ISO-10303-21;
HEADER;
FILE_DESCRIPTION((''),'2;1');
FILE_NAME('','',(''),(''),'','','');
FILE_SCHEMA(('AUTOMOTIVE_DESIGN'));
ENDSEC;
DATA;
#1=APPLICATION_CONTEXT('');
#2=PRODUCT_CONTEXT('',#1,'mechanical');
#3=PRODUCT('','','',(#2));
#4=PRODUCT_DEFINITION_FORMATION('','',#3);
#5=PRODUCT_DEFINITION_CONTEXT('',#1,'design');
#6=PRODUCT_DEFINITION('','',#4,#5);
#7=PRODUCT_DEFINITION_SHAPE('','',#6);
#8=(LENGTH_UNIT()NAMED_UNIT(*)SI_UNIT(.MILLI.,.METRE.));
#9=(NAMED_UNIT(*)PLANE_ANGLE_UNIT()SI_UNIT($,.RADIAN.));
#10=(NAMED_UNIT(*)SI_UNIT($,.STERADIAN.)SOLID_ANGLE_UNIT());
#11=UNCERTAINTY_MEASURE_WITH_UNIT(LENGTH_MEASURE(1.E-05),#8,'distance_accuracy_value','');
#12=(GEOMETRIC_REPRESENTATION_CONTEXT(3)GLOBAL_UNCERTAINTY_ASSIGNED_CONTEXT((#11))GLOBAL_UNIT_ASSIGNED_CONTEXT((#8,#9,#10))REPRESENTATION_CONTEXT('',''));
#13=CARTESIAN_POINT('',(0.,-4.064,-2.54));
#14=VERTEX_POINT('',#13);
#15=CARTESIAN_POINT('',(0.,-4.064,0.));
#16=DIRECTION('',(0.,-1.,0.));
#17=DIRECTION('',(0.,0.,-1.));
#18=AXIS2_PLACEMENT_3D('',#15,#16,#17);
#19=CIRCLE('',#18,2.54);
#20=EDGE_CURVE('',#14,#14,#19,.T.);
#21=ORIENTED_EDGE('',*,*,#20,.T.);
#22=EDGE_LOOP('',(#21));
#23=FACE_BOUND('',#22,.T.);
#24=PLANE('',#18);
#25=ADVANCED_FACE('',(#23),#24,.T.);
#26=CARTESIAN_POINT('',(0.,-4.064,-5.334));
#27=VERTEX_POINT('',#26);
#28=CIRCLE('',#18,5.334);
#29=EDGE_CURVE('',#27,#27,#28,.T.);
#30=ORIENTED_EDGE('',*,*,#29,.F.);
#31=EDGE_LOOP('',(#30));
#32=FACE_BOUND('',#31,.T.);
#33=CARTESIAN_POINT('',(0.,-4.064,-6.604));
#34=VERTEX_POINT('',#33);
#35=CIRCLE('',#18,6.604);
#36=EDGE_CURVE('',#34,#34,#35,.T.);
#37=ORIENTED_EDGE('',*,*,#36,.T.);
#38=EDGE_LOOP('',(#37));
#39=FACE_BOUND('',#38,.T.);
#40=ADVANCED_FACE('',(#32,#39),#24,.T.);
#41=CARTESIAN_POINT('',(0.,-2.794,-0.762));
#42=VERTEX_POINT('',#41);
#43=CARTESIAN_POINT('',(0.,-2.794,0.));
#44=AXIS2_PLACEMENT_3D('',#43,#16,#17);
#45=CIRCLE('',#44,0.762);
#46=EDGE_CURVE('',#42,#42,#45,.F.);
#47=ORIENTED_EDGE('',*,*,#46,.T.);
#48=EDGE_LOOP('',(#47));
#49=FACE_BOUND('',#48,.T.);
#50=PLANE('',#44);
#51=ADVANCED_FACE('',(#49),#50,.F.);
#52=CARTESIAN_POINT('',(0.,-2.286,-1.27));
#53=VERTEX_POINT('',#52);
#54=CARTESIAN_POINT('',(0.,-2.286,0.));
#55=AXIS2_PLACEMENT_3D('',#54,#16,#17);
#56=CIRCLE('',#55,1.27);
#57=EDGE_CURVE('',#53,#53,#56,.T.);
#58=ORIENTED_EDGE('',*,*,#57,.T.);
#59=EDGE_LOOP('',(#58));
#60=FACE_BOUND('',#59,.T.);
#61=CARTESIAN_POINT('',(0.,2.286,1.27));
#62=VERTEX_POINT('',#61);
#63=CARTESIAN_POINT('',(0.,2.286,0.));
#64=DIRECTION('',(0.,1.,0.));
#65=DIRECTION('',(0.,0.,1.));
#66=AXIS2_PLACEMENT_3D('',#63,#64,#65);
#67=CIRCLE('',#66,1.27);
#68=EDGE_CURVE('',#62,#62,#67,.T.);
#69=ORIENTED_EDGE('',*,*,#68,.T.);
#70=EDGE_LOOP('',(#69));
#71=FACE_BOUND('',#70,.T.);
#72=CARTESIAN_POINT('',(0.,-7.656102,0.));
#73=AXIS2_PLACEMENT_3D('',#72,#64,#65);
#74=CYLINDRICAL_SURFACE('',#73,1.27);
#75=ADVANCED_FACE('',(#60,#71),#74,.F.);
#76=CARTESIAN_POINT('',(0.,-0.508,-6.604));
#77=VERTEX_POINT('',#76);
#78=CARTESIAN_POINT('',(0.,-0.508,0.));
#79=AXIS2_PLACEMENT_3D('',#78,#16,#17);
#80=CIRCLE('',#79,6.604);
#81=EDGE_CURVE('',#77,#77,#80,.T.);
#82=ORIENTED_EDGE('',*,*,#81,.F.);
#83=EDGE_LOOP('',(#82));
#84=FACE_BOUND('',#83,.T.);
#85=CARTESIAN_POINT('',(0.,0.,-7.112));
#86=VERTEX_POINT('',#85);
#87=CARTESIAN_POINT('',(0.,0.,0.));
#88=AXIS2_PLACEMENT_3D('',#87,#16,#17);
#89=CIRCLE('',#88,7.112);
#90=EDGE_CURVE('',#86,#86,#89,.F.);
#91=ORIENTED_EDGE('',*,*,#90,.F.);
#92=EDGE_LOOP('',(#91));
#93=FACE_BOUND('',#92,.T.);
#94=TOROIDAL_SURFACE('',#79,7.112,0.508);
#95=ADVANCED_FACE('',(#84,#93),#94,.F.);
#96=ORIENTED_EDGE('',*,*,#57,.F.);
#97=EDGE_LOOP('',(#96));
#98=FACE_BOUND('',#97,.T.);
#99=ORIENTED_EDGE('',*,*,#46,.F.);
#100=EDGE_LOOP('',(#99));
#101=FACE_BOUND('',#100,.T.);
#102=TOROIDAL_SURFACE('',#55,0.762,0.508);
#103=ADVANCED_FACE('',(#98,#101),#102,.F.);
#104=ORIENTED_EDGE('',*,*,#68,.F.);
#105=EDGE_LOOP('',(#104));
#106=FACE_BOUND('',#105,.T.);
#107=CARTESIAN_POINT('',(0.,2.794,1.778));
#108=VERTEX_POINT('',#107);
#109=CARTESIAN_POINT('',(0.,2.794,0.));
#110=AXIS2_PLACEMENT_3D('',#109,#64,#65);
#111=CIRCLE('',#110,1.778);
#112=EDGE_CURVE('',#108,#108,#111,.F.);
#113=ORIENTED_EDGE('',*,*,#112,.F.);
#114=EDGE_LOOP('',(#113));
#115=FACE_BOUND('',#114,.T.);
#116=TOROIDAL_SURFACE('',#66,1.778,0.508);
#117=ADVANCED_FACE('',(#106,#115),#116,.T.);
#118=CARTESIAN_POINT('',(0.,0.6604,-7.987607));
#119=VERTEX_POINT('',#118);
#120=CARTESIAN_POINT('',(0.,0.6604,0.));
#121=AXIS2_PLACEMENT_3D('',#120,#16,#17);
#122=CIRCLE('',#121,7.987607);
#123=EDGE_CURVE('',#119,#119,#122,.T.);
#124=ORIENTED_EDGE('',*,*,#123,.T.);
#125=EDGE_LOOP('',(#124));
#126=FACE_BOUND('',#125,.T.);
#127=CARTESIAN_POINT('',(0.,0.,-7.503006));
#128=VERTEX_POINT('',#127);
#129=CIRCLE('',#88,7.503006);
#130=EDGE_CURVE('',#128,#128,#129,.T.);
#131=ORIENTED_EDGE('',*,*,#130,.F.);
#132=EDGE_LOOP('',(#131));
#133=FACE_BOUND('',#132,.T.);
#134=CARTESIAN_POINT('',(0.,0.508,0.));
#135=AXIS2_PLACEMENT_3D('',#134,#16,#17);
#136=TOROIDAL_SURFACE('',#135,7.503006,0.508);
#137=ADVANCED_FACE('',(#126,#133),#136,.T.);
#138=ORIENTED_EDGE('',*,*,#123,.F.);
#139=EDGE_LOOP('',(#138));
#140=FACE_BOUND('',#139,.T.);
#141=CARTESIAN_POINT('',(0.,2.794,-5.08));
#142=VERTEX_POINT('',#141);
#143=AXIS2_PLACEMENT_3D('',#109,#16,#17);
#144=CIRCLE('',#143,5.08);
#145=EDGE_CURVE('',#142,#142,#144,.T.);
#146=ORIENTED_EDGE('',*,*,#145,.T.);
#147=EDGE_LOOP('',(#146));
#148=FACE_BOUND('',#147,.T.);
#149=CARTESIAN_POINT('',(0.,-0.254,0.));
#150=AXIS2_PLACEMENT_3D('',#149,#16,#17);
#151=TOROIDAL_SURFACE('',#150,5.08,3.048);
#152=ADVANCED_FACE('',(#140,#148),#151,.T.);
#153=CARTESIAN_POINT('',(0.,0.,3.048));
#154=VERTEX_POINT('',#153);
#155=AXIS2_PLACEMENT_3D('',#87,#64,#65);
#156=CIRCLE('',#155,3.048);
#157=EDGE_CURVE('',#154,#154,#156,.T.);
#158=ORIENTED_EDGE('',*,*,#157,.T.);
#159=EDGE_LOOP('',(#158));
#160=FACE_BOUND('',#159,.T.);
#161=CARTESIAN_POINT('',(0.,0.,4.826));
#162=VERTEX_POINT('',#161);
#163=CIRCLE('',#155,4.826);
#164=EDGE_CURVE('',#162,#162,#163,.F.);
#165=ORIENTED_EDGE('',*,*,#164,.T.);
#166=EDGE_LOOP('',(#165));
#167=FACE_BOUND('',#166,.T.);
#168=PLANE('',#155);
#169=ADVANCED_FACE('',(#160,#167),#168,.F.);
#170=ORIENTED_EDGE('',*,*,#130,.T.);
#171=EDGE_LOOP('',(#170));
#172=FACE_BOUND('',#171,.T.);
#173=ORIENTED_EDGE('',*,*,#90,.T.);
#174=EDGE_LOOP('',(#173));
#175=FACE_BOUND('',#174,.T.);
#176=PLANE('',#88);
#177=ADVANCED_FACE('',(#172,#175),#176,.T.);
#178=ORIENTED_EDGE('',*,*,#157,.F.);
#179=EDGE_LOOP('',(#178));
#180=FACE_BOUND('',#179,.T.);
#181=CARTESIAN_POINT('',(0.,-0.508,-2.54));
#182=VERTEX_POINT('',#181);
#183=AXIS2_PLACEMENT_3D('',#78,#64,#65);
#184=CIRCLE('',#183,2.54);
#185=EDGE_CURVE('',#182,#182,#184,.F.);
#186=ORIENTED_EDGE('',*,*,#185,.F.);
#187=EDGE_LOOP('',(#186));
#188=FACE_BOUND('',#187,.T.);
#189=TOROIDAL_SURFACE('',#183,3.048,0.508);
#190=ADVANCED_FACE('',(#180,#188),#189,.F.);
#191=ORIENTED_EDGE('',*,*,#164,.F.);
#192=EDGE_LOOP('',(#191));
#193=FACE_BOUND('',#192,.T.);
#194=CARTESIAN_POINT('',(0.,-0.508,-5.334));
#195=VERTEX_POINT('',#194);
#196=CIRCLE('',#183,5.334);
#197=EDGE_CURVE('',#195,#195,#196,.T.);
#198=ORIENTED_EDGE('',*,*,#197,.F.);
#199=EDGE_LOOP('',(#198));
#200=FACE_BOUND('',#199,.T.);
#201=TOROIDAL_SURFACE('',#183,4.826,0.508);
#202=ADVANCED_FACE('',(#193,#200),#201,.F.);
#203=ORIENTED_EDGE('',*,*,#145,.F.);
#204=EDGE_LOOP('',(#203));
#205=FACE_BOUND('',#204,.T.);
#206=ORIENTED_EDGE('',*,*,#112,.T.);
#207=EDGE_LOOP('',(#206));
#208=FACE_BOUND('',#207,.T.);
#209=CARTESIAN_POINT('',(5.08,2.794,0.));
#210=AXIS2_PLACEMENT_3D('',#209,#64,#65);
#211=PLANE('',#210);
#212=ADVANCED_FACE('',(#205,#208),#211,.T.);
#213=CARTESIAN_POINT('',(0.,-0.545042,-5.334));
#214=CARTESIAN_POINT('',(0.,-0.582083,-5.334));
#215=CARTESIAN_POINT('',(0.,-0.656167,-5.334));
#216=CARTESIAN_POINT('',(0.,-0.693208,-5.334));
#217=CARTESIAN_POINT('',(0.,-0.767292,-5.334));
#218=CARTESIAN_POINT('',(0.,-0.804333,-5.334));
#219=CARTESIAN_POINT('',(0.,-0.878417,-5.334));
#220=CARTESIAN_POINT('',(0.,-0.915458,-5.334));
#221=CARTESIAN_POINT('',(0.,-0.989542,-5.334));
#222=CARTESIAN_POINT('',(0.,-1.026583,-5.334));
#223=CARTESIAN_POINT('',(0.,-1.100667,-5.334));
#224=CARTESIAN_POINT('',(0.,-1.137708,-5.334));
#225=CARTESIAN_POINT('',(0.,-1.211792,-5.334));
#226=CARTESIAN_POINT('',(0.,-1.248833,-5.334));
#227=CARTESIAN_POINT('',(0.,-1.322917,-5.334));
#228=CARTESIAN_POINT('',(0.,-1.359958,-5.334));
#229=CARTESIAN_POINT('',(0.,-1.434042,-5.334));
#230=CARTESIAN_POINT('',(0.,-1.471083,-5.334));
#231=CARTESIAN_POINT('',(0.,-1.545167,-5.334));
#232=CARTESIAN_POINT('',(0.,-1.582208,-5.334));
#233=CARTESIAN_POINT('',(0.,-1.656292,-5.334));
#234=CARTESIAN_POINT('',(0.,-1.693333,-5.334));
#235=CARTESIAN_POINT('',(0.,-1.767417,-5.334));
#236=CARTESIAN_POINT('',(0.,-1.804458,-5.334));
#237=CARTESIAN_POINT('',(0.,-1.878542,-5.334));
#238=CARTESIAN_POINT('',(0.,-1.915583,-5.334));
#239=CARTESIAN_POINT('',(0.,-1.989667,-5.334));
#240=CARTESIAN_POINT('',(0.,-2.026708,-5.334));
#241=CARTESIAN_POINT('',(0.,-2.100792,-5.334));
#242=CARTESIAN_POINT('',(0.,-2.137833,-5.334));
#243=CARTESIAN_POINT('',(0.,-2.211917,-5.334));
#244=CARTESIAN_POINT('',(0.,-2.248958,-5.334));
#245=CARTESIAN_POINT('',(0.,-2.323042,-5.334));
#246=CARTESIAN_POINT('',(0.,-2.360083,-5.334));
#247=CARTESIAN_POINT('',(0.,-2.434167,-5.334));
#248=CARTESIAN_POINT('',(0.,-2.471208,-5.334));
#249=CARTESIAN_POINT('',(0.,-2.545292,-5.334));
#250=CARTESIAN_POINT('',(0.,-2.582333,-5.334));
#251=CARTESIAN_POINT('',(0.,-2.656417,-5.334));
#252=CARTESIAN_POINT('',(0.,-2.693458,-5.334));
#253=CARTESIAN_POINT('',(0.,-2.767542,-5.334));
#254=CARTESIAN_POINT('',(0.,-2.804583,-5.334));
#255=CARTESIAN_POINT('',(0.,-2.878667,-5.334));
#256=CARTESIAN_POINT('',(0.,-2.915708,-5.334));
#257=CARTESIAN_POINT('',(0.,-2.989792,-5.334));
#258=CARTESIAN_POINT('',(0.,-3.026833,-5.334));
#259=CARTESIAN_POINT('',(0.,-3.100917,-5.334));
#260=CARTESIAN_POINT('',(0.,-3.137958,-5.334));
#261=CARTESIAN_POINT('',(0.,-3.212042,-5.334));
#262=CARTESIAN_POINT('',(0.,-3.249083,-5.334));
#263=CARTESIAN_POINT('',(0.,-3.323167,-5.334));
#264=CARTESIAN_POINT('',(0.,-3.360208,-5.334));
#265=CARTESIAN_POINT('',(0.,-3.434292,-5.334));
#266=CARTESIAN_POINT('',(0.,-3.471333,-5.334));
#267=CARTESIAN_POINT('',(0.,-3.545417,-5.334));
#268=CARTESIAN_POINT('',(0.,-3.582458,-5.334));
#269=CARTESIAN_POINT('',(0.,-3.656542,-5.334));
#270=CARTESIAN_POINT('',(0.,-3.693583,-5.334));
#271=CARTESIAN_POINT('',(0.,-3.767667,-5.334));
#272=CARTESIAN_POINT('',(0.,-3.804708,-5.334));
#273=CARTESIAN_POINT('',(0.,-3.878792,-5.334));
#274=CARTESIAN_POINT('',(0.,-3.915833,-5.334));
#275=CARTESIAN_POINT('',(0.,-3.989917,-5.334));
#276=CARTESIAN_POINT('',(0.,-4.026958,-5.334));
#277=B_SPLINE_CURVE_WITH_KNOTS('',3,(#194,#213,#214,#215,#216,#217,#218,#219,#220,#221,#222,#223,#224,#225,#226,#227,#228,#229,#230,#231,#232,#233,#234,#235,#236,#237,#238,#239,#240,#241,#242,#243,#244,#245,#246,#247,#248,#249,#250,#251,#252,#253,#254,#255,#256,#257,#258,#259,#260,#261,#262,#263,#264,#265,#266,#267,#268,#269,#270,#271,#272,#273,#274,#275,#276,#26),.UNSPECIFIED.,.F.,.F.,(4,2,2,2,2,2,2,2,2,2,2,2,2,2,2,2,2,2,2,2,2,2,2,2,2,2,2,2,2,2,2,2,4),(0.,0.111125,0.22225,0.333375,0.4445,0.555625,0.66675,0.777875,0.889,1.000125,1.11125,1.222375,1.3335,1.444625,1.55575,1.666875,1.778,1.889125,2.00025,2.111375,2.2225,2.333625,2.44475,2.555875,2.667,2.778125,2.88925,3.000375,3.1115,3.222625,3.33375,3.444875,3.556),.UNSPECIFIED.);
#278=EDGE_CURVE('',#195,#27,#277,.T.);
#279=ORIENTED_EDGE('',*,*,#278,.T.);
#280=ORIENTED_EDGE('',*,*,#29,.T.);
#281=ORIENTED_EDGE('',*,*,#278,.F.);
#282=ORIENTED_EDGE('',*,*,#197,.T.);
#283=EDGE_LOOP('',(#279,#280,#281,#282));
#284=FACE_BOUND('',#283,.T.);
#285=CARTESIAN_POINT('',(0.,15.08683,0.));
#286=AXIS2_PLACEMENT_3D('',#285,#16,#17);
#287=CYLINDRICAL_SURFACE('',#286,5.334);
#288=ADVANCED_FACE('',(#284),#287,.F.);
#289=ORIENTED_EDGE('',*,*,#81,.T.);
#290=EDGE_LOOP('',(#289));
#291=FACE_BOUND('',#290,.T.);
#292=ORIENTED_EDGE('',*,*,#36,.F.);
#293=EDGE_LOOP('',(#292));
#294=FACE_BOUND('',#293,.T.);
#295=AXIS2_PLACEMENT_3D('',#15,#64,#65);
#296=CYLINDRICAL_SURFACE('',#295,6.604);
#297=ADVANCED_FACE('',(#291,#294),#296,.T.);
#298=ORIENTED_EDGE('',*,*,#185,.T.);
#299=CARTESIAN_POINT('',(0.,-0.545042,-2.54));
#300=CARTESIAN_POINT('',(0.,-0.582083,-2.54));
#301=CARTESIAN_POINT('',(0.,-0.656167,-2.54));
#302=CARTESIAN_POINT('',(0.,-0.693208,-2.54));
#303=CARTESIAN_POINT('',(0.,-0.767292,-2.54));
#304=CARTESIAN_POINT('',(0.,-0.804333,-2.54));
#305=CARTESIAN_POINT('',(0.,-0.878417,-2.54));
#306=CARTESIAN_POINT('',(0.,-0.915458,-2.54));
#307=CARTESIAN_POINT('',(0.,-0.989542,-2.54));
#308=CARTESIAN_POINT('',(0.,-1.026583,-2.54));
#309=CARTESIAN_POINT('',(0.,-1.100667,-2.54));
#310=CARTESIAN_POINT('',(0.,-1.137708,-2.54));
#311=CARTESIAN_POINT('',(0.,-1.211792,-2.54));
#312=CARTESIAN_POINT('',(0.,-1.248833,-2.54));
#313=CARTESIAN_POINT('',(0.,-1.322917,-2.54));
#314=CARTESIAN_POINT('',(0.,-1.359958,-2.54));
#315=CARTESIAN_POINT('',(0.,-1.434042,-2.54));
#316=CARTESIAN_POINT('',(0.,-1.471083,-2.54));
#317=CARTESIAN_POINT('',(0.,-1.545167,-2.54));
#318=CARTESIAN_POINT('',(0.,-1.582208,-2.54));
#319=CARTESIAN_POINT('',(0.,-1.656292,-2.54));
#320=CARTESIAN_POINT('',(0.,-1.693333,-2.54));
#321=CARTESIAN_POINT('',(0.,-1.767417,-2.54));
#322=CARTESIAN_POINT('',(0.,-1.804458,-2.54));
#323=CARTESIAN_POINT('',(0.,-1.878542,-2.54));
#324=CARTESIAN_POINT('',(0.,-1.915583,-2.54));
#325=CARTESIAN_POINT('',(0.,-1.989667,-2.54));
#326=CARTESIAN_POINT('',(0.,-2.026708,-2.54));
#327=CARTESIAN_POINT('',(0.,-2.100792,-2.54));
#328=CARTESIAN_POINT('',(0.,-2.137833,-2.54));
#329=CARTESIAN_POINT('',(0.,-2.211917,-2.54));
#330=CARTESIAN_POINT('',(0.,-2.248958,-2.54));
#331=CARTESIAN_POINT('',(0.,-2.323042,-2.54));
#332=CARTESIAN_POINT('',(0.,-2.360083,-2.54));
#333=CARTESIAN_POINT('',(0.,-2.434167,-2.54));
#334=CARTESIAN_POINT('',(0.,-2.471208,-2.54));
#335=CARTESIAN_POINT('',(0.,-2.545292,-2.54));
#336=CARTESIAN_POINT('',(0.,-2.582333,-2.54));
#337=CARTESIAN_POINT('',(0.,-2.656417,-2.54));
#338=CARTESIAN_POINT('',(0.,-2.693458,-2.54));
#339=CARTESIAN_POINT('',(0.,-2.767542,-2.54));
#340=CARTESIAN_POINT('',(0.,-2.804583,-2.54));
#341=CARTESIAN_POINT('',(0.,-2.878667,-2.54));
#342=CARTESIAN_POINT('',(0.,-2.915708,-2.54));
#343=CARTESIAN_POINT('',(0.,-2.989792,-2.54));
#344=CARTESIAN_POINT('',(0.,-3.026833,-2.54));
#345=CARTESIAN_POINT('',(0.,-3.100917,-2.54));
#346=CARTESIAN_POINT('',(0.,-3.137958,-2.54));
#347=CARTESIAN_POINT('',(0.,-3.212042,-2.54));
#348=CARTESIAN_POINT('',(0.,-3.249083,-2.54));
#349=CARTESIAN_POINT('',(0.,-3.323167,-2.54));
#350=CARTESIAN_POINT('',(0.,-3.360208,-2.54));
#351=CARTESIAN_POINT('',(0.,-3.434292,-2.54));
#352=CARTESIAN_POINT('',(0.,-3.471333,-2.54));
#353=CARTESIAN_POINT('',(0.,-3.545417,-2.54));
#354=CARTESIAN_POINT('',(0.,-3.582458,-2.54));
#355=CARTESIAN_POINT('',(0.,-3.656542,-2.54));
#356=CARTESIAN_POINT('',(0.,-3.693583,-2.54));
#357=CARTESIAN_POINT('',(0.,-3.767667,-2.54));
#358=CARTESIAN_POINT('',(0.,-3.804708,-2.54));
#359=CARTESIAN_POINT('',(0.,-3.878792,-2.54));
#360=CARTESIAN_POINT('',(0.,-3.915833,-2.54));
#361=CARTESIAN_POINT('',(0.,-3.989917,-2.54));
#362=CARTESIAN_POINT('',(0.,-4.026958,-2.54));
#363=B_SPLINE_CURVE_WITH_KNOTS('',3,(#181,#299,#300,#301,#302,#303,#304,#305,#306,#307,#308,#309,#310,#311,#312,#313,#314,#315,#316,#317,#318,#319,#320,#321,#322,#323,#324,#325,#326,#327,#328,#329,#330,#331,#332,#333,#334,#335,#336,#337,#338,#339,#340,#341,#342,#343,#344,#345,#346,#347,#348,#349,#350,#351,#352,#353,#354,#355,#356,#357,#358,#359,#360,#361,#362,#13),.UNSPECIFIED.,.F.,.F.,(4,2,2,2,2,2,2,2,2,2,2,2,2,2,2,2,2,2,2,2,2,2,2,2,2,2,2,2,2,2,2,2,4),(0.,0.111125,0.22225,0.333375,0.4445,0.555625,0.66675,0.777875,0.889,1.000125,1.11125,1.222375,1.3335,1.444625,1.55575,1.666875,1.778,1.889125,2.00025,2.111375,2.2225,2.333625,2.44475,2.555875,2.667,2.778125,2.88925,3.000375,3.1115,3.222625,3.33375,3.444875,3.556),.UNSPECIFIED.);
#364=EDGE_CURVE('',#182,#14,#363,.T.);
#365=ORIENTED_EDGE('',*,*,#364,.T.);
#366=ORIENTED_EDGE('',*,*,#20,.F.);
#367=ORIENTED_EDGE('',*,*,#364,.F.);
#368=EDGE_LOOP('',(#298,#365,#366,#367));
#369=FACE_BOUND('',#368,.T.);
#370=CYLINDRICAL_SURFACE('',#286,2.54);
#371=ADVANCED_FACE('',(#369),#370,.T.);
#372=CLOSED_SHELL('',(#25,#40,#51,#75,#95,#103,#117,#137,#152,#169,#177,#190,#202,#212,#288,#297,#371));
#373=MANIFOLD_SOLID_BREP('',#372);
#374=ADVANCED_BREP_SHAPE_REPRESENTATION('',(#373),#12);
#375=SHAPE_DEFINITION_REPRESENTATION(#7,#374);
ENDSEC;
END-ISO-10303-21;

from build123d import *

# Parameters (mm, degrees)
SKETCH2_R          = 6.604
SHAFT_DEPTH        = 4.064
SHAFT_START        = -4.064
SKETCH3_R          = 5.334
SKETCH3_R_2        = 2.54
SHAFT_GROOVE_DEPTH = 4.064
SKETCH4_R          = 1.27
TOP_HOLE_DEPTH     = 5.588
FILLET1_R          = 0.508


with BuildPart() as part:
    # Sketch1 → Button Top (revolve)
    with BuildSketch(Plane.XY, mode=Mode.PRIVATE) as button_top_sk:
        with BuildLine():
            Line((0, 0), (7.503005572, 0))
            ThreePointArc((7.503005572, 0), (7.912568265, 0.207463147), (7.987606686, 0.6604))
            ThreePointArc((7.987606686, 0.6604), (6.883221118, 2.203376162), (5.08, 2.794))
            Line((5.08, 2.794), (0, 2.794))
            Line((0, 2.794), (0, 0))
        make_face()
    revolve(button_top_sk.sketch.rotate(Axis((0, 0, 0), (0, 1, 0)), 90), axis=Axis((0, 0, 0), (0, 1, 0)))

    # Sketch2 → Shaft (add)
    with BuildSketch(Plane.XZ):
        with Locations(Location((0, 0, 0), (0, 0, 270))):
            Circle(SKETCH2_R)
    extrude(amount=SHAFT_DEPTH)

    # Sketch3 → Shaft Groove (cut)
    with BuildSketch(Plane.XZ.offset(4.064).offset(SHAFT_START)):
        with Locations(Location((0, 0, 0), (0, 0, 270))):
            Circle(SKETCH3_R)
        with Locations(Location((0, 0, 0), (0, 0, 270))):
            Circle(SKETCH3_R_2, mode=Mode.SUBTRACT)
    extrude(amount=SHAFT_GROOVE_DEPTH, mode=Mode.SUBTRACT)

    # Sketch4 → Top Hole (cut)
    with BuildSketch(Plane(origin=(0, 2.794, 0), x_dir=(-1, 0, 0), z_dir=(0, 1, 0))):
        with Locations(Location((0, 0, 0), (0, 0, 90))):
            Circle(SKETCH4_R)
    extrude(amount=-TOP_HOLE_DEPTH, mode=Mode.SUBTRACT)

    # Fillet1
    fillet1_edges = [part.edges().sort_by_distance(p)[0] for p in [
        (0, 0, 6.604),
        (0, 0, 2.54),
        (0, 0, 5.334),
        (0, 2.794, -1.27),
        (0, -2.794, -1.27),
    ]]
    fillet(fillet1_edges, radius=FILLET1_R)


solid = part.part
